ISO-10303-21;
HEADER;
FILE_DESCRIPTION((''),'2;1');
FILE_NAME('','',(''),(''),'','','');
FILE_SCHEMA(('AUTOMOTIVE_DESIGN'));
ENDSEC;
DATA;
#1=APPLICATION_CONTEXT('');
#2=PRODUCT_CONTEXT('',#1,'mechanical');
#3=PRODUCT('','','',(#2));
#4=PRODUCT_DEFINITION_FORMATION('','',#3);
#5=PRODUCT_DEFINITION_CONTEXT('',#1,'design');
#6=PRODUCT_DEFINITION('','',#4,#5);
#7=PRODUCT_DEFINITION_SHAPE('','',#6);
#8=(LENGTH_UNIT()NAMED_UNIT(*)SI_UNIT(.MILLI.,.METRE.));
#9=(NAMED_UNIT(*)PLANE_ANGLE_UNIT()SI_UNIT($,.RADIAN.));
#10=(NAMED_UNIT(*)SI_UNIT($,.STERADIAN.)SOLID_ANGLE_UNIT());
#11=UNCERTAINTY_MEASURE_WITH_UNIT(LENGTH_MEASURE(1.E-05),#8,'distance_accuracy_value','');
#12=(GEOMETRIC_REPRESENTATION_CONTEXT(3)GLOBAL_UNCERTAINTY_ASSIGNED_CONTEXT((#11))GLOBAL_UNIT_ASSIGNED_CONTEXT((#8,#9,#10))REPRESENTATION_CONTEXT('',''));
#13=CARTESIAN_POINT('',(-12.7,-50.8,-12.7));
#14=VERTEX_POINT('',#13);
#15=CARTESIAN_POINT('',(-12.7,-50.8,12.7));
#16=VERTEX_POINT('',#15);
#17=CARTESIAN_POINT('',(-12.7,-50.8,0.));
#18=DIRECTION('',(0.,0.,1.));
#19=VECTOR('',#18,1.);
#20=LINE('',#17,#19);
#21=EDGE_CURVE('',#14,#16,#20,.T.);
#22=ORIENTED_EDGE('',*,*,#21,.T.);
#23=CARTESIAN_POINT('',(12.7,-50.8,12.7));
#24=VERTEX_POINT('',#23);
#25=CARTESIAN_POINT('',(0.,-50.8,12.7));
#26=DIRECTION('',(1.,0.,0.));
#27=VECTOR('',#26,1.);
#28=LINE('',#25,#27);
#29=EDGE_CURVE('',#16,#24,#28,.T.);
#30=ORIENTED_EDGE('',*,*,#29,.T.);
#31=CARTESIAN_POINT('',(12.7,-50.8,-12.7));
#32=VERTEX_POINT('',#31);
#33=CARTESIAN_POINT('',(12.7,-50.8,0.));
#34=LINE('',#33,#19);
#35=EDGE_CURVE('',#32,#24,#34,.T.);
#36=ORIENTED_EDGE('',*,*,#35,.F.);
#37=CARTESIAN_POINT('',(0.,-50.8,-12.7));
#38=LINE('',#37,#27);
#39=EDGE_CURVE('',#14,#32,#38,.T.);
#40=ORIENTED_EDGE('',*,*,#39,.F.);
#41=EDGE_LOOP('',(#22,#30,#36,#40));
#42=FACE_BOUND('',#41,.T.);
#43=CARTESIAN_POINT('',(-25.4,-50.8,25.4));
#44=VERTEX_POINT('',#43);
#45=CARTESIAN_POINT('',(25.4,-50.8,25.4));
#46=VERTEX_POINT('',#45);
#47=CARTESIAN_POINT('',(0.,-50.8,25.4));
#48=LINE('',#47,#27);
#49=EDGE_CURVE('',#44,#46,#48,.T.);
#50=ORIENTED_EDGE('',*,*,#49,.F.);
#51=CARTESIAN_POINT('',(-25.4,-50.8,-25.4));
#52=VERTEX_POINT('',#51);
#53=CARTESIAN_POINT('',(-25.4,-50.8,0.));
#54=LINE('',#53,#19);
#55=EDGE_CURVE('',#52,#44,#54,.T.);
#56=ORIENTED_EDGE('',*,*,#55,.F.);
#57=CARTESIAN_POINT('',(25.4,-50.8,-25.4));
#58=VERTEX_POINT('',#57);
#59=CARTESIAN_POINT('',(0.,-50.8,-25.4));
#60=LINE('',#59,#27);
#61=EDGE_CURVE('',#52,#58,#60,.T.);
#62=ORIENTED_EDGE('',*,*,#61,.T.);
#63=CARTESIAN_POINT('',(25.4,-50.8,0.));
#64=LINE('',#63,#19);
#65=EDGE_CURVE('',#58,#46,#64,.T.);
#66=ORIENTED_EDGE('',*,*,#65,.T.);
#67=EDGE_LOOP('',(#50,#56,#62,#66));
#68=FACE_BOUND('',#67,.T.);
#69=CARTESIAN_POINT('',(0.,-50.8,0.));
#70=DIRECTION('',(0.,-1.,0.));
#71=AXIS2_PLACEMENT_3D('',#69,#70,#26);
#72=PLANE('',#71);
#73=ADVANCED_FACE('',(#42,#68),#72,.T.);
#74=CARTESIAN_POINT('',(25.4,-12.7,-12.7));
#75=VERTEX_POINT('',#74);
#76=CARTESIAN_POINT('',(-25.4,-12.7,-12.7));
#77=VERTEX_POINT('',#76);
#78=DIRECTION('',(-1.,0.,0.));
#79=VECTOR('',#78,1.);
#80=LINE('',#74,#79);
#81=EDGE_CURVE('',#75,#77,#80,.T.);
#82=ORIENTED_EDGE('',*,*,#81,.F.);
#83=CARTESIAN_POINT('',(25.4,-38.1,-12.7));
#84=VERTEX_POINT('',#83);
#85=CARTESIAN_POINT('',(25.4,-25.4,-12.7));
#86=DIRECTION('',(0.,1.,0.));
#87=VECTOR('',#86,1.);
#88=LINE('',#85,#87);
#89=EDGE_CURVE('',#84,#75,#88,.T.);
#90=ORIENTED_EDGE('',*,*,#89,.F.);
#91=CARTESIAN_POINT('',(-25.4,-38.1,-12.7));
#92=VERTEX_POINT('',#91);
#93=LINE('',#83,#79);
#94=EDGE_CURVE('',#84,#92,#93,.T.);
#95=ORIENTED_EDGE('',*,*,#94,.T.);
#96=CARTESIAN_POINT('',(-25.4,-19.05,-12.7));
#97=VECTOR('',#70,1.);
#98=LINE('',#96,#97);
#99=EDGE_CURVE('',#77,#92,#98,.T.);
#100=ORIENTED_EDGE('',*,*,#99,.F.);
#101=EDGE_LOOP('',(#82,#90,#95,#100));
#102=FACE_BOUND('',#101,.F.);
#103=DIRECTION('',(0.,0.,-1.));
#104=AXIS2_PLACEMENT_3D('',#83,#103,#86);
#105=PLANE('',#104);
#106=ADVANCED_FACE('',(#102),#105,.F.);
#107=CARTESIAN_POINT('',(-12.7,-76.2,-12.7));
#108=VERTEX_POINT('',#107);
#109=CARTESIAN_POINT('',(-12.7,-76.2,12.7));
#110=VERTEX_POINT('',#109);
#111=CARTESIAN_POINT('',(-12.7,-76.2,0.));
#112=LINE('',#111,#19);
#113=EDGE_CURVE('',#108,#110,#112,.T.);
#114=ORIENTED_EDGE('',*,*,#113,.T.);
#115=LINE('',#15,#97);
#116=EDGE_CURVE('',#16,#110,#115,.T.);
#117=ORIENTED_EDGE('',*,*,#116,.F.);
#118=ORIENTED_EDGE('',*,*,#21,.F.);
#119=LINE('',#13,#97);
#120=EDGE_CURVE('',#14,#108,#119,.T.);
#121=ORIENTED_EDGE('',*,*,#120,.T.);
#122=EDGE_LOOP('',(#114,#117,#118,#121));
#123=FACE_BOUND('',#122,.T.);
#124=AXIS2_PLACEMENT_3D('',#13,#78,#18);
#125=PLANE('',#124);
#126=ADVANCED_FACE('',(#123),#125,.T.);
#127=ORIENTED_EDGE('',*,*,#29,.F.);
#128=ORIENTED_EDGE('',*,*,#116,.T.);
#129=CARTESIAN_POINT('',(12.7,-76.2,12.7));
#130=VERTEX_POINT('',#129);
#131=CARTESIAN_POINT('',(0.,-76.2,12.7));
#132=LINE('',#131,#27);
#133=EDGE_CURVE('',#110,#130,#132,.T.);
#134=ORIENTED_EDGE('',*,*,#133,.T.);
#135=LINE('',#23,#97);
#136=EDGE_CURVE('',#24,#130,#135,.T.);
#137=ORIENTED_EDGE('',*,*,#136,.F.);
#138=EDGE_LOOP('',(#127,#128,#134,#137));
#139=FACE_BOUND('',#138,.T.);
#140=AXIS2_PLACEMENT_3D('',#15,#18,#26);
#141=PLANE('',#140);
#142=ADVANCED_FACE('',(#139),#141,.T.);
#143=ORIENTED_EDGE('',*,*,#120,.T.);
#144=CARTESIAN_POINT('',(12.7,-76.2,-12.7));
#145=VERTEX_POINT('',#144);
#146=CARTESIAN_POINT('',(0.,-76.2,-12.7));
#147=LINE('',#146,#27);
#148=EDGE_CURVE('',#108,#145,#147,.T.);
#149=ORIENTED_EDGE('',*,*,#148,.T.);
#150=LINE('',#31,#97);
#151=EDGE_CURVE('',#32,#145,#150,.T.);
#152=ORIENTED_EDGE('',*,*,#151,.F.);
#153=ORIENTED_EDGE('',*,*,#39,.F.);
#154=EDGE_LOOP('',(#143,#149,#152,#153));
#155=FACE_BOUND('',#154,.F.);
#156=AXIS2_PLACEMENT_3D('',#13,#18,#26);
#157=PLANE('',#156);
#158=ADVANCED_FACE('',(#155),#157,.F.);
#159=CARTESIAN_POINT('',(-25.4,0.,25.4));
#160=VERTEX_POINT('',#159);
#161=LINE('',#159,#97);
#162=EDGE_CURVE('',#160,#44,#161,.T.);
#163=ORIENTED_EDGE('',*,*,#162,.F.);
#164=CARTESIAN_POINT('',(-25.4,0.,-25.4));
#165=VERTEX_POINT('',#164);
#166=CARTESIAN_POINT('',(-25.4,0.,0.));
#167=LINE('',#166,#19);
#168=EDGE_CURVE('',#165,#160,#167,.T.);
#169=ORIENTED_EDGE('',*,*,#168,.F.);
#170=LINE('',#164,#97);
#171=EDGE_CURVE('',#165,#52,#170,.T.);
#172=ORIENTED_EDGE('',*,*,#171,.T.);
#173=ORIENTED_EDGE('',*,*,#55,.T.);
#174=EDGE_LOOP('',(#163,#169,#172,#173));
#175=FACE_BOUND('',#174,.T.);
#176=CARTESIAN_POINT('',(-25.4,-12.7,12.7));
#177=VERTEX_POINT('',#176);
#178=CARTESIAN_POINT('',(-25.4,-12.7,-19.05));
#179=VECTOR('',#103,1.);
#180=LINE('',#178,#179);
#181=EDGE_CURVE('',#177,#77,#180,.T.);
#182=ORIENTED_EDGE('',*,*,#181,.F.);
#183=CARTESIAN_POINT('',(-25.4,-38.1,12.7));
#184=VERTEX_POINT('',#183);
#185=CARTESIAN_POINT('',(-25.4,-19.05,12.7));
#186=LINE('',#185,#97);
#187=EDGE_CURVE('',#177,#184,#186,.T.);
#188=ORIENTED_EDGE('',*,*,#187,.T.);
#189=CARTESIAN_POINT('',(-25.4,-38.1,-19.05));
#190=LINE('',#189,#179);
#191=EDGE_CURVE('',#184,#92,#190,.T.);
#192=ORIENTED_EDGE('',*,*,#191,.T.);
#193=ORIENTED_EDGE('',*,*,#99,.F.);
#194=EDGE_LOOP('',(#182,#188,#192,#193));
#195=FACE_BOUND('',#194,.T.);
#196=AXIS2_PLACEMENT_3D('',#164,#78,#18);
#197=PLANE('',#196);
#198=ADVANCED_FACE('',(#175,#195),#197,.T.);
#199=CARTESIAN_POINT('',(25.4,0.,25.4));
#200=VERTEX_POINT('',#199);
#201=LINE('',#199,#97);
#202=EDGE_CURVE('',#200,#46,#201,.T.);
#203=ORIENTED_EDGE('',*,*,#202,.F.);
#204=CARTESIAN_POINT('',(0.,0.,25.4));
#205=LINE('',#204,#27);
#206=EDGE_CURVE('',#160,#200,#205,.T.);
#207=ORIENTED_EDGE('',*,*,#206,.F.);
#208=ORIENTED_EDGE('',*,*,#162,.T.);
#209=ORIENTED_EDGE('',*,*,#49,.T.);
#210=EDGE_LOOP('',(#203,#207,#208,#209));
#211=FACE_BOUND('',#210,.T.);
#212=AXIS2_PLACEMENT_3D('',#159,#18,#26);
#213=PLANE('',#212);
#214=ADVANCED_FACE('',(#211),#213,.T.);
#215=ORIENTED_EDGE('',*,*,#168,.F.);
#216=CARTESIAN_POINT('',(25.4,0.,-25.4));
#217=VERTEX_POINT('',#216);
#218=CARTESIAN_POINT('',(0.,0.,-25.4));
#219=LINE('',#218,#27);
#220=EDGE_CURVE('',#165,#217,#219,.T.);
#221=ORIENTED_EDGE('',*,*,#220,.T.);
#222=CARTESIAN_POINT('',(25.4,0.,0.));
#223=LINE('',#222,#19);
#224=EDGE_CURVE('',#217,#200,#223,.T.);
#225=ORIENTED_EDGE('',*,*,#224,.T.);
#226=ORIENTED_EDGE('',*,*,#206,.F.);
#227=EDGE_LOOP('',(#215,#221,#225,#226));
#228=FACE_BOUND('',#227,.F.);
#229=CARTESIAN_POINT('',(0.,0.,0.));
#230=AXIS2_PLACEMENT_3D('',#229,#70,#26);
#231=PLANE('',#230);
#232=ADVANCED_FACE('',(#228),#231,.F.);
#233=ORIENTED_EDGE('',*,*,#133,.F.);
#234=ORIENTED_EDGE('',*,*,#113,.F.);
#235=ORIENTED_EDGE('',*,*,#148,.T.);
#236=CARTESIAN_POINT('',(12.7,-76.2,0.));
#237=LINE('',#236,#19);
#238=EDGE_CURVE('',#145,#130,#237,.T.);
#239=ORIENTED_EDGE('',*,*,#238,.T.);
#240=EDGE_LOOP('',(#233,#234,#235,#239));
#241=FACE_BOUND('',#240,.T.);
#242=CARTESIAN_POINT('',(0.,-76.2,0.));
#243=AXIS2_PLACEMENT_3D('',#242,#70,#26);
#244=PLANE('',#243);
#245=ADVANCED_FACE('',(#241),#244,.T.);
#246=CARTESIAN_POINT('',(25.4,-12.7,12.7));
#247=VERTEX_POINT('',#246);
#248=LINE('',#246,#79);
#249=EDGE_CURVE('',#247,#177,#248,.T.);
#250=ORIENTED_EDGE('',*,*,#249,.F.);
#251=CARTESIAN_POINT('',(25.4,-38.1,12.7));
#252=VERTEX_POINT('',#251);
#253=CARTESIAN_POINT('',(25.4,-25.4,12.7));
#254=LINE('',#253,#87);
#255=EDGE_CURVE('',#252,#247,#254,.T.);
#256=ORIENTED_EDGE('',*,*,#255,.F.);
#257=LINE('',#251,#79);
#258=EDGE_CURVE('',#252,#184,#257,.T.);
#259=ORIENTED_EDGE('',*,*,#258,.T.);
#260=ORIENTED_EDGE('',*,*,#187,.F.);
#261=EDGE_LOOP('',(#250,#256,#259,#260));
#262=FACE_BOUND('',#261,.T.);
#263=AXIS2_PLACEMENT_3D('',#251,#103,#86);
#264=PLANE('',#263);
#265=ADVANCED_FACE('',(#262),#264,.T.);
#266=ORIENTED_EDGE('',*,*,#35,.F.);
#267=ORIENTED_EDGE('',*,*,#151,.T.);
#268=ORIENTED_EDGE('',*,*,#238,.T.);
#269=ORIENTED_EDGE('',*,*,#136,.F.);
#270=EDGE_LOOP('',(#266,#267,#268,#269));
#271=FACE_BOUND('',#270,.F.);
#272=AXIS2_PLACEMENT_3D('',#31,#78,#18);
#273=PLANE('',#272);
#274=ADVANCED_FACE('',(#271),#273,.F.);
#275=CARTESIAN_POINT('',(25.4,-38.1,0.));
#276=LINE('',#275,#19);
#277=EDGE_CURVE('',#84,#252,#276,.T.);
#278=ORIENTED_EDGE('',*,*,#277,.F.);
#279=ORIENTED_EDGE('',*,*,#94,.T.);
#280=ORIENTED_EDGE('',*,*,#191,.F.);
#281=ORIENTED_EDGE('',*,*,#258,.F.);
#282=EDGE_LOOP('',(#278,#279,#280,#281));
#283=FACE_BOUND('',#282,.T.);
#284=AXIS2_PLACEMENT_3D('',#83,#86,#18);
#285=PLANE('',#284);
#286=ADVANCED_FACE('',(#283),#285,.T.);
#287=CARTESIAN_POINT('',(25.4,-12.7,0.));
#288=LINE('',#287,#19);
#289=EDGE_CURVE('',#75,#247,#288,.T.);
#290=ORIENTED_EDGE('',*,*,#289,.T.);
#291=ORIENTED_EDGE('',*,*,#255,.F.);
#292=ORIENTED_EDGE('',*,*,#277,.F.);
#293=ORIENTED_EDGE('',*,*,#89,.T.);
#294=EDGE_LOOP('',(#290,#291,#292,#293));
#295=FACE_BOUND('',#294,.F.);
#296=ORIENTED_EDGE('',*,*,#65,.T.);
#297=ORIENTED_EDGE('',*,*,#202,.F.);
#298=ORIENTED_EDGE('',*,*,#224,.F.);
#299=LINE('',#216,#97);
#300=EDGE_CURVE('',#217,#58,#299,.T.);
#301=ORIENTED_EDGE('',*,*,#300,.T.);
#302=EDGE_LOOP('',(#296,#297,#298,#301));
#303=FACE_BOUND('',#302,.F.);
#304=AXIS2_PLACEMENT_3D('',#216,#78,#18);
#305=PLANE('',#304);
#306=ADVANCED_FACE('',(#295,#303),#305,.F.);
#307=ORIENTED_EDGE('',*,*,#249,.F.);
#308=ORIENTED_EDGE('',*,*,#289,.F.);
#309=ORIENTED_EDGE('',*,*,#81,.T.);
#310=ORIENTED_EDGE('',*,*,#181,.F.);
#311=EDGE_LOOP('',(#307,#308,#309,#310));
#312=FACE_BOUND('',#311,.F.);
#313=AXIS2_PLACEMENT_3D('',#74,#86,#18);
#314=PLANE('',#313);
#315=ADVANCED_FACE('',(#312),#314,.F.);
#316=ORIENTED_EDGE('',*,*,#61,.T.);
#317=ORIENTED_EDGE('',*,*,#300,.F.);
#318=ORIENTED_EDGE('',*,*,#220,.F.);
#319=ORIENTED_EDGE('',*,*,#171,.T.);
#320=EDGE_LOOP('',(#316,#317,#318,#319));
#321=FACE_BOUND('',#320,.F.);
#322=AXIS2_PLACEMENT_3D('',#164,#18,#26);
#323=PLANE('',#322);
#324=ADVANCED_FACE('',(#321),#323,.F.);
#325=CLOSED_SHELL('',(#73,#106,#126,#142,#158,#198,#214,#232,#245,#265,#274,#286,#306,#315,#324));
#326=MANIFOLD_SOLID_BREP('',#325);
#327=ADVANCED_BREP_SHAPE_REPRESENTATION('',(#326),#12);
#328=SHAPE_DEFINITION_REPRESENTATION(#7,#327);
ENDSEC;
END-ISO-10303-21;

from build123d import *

# Parameters (mm, degrees)
F0_W     = 50.8
F0_H     = 50.8
F1_DEPTH = 50.8
F2_W     = 25.4
F2_H     = 25.4
F3_DEPTH = 25.4
F4_W     = 25.4
F4_H     = 25.4
F5_DEPTH = 50.801


with BuildPart() as f1:
    # F0 (on Front) → F1 (new body)
    with BuildSketch(Plane.XZ):
        Rectangle(F0_W, F0_H)
    extrude(amount=F1_DEPTH)

    # F2 (on face) → F3 (join)
    with BuildSketch(Plane.XZ.offset(50.8)):
        Rectangle(F2_W, F2_H)
    extrude(amount=F3_DEPTH)

    # F4 (on face) → F5 (cut, through all)
    with BuildSketch(Plane.YZ.offset(25.4)):
        with Locations((-25.4, 0)):
            Rectangle(F4_W, F4_H)
    extrude(amount=-F5_DEPTH, mode=Mode.SUBTRACT)


solid = f1.part
